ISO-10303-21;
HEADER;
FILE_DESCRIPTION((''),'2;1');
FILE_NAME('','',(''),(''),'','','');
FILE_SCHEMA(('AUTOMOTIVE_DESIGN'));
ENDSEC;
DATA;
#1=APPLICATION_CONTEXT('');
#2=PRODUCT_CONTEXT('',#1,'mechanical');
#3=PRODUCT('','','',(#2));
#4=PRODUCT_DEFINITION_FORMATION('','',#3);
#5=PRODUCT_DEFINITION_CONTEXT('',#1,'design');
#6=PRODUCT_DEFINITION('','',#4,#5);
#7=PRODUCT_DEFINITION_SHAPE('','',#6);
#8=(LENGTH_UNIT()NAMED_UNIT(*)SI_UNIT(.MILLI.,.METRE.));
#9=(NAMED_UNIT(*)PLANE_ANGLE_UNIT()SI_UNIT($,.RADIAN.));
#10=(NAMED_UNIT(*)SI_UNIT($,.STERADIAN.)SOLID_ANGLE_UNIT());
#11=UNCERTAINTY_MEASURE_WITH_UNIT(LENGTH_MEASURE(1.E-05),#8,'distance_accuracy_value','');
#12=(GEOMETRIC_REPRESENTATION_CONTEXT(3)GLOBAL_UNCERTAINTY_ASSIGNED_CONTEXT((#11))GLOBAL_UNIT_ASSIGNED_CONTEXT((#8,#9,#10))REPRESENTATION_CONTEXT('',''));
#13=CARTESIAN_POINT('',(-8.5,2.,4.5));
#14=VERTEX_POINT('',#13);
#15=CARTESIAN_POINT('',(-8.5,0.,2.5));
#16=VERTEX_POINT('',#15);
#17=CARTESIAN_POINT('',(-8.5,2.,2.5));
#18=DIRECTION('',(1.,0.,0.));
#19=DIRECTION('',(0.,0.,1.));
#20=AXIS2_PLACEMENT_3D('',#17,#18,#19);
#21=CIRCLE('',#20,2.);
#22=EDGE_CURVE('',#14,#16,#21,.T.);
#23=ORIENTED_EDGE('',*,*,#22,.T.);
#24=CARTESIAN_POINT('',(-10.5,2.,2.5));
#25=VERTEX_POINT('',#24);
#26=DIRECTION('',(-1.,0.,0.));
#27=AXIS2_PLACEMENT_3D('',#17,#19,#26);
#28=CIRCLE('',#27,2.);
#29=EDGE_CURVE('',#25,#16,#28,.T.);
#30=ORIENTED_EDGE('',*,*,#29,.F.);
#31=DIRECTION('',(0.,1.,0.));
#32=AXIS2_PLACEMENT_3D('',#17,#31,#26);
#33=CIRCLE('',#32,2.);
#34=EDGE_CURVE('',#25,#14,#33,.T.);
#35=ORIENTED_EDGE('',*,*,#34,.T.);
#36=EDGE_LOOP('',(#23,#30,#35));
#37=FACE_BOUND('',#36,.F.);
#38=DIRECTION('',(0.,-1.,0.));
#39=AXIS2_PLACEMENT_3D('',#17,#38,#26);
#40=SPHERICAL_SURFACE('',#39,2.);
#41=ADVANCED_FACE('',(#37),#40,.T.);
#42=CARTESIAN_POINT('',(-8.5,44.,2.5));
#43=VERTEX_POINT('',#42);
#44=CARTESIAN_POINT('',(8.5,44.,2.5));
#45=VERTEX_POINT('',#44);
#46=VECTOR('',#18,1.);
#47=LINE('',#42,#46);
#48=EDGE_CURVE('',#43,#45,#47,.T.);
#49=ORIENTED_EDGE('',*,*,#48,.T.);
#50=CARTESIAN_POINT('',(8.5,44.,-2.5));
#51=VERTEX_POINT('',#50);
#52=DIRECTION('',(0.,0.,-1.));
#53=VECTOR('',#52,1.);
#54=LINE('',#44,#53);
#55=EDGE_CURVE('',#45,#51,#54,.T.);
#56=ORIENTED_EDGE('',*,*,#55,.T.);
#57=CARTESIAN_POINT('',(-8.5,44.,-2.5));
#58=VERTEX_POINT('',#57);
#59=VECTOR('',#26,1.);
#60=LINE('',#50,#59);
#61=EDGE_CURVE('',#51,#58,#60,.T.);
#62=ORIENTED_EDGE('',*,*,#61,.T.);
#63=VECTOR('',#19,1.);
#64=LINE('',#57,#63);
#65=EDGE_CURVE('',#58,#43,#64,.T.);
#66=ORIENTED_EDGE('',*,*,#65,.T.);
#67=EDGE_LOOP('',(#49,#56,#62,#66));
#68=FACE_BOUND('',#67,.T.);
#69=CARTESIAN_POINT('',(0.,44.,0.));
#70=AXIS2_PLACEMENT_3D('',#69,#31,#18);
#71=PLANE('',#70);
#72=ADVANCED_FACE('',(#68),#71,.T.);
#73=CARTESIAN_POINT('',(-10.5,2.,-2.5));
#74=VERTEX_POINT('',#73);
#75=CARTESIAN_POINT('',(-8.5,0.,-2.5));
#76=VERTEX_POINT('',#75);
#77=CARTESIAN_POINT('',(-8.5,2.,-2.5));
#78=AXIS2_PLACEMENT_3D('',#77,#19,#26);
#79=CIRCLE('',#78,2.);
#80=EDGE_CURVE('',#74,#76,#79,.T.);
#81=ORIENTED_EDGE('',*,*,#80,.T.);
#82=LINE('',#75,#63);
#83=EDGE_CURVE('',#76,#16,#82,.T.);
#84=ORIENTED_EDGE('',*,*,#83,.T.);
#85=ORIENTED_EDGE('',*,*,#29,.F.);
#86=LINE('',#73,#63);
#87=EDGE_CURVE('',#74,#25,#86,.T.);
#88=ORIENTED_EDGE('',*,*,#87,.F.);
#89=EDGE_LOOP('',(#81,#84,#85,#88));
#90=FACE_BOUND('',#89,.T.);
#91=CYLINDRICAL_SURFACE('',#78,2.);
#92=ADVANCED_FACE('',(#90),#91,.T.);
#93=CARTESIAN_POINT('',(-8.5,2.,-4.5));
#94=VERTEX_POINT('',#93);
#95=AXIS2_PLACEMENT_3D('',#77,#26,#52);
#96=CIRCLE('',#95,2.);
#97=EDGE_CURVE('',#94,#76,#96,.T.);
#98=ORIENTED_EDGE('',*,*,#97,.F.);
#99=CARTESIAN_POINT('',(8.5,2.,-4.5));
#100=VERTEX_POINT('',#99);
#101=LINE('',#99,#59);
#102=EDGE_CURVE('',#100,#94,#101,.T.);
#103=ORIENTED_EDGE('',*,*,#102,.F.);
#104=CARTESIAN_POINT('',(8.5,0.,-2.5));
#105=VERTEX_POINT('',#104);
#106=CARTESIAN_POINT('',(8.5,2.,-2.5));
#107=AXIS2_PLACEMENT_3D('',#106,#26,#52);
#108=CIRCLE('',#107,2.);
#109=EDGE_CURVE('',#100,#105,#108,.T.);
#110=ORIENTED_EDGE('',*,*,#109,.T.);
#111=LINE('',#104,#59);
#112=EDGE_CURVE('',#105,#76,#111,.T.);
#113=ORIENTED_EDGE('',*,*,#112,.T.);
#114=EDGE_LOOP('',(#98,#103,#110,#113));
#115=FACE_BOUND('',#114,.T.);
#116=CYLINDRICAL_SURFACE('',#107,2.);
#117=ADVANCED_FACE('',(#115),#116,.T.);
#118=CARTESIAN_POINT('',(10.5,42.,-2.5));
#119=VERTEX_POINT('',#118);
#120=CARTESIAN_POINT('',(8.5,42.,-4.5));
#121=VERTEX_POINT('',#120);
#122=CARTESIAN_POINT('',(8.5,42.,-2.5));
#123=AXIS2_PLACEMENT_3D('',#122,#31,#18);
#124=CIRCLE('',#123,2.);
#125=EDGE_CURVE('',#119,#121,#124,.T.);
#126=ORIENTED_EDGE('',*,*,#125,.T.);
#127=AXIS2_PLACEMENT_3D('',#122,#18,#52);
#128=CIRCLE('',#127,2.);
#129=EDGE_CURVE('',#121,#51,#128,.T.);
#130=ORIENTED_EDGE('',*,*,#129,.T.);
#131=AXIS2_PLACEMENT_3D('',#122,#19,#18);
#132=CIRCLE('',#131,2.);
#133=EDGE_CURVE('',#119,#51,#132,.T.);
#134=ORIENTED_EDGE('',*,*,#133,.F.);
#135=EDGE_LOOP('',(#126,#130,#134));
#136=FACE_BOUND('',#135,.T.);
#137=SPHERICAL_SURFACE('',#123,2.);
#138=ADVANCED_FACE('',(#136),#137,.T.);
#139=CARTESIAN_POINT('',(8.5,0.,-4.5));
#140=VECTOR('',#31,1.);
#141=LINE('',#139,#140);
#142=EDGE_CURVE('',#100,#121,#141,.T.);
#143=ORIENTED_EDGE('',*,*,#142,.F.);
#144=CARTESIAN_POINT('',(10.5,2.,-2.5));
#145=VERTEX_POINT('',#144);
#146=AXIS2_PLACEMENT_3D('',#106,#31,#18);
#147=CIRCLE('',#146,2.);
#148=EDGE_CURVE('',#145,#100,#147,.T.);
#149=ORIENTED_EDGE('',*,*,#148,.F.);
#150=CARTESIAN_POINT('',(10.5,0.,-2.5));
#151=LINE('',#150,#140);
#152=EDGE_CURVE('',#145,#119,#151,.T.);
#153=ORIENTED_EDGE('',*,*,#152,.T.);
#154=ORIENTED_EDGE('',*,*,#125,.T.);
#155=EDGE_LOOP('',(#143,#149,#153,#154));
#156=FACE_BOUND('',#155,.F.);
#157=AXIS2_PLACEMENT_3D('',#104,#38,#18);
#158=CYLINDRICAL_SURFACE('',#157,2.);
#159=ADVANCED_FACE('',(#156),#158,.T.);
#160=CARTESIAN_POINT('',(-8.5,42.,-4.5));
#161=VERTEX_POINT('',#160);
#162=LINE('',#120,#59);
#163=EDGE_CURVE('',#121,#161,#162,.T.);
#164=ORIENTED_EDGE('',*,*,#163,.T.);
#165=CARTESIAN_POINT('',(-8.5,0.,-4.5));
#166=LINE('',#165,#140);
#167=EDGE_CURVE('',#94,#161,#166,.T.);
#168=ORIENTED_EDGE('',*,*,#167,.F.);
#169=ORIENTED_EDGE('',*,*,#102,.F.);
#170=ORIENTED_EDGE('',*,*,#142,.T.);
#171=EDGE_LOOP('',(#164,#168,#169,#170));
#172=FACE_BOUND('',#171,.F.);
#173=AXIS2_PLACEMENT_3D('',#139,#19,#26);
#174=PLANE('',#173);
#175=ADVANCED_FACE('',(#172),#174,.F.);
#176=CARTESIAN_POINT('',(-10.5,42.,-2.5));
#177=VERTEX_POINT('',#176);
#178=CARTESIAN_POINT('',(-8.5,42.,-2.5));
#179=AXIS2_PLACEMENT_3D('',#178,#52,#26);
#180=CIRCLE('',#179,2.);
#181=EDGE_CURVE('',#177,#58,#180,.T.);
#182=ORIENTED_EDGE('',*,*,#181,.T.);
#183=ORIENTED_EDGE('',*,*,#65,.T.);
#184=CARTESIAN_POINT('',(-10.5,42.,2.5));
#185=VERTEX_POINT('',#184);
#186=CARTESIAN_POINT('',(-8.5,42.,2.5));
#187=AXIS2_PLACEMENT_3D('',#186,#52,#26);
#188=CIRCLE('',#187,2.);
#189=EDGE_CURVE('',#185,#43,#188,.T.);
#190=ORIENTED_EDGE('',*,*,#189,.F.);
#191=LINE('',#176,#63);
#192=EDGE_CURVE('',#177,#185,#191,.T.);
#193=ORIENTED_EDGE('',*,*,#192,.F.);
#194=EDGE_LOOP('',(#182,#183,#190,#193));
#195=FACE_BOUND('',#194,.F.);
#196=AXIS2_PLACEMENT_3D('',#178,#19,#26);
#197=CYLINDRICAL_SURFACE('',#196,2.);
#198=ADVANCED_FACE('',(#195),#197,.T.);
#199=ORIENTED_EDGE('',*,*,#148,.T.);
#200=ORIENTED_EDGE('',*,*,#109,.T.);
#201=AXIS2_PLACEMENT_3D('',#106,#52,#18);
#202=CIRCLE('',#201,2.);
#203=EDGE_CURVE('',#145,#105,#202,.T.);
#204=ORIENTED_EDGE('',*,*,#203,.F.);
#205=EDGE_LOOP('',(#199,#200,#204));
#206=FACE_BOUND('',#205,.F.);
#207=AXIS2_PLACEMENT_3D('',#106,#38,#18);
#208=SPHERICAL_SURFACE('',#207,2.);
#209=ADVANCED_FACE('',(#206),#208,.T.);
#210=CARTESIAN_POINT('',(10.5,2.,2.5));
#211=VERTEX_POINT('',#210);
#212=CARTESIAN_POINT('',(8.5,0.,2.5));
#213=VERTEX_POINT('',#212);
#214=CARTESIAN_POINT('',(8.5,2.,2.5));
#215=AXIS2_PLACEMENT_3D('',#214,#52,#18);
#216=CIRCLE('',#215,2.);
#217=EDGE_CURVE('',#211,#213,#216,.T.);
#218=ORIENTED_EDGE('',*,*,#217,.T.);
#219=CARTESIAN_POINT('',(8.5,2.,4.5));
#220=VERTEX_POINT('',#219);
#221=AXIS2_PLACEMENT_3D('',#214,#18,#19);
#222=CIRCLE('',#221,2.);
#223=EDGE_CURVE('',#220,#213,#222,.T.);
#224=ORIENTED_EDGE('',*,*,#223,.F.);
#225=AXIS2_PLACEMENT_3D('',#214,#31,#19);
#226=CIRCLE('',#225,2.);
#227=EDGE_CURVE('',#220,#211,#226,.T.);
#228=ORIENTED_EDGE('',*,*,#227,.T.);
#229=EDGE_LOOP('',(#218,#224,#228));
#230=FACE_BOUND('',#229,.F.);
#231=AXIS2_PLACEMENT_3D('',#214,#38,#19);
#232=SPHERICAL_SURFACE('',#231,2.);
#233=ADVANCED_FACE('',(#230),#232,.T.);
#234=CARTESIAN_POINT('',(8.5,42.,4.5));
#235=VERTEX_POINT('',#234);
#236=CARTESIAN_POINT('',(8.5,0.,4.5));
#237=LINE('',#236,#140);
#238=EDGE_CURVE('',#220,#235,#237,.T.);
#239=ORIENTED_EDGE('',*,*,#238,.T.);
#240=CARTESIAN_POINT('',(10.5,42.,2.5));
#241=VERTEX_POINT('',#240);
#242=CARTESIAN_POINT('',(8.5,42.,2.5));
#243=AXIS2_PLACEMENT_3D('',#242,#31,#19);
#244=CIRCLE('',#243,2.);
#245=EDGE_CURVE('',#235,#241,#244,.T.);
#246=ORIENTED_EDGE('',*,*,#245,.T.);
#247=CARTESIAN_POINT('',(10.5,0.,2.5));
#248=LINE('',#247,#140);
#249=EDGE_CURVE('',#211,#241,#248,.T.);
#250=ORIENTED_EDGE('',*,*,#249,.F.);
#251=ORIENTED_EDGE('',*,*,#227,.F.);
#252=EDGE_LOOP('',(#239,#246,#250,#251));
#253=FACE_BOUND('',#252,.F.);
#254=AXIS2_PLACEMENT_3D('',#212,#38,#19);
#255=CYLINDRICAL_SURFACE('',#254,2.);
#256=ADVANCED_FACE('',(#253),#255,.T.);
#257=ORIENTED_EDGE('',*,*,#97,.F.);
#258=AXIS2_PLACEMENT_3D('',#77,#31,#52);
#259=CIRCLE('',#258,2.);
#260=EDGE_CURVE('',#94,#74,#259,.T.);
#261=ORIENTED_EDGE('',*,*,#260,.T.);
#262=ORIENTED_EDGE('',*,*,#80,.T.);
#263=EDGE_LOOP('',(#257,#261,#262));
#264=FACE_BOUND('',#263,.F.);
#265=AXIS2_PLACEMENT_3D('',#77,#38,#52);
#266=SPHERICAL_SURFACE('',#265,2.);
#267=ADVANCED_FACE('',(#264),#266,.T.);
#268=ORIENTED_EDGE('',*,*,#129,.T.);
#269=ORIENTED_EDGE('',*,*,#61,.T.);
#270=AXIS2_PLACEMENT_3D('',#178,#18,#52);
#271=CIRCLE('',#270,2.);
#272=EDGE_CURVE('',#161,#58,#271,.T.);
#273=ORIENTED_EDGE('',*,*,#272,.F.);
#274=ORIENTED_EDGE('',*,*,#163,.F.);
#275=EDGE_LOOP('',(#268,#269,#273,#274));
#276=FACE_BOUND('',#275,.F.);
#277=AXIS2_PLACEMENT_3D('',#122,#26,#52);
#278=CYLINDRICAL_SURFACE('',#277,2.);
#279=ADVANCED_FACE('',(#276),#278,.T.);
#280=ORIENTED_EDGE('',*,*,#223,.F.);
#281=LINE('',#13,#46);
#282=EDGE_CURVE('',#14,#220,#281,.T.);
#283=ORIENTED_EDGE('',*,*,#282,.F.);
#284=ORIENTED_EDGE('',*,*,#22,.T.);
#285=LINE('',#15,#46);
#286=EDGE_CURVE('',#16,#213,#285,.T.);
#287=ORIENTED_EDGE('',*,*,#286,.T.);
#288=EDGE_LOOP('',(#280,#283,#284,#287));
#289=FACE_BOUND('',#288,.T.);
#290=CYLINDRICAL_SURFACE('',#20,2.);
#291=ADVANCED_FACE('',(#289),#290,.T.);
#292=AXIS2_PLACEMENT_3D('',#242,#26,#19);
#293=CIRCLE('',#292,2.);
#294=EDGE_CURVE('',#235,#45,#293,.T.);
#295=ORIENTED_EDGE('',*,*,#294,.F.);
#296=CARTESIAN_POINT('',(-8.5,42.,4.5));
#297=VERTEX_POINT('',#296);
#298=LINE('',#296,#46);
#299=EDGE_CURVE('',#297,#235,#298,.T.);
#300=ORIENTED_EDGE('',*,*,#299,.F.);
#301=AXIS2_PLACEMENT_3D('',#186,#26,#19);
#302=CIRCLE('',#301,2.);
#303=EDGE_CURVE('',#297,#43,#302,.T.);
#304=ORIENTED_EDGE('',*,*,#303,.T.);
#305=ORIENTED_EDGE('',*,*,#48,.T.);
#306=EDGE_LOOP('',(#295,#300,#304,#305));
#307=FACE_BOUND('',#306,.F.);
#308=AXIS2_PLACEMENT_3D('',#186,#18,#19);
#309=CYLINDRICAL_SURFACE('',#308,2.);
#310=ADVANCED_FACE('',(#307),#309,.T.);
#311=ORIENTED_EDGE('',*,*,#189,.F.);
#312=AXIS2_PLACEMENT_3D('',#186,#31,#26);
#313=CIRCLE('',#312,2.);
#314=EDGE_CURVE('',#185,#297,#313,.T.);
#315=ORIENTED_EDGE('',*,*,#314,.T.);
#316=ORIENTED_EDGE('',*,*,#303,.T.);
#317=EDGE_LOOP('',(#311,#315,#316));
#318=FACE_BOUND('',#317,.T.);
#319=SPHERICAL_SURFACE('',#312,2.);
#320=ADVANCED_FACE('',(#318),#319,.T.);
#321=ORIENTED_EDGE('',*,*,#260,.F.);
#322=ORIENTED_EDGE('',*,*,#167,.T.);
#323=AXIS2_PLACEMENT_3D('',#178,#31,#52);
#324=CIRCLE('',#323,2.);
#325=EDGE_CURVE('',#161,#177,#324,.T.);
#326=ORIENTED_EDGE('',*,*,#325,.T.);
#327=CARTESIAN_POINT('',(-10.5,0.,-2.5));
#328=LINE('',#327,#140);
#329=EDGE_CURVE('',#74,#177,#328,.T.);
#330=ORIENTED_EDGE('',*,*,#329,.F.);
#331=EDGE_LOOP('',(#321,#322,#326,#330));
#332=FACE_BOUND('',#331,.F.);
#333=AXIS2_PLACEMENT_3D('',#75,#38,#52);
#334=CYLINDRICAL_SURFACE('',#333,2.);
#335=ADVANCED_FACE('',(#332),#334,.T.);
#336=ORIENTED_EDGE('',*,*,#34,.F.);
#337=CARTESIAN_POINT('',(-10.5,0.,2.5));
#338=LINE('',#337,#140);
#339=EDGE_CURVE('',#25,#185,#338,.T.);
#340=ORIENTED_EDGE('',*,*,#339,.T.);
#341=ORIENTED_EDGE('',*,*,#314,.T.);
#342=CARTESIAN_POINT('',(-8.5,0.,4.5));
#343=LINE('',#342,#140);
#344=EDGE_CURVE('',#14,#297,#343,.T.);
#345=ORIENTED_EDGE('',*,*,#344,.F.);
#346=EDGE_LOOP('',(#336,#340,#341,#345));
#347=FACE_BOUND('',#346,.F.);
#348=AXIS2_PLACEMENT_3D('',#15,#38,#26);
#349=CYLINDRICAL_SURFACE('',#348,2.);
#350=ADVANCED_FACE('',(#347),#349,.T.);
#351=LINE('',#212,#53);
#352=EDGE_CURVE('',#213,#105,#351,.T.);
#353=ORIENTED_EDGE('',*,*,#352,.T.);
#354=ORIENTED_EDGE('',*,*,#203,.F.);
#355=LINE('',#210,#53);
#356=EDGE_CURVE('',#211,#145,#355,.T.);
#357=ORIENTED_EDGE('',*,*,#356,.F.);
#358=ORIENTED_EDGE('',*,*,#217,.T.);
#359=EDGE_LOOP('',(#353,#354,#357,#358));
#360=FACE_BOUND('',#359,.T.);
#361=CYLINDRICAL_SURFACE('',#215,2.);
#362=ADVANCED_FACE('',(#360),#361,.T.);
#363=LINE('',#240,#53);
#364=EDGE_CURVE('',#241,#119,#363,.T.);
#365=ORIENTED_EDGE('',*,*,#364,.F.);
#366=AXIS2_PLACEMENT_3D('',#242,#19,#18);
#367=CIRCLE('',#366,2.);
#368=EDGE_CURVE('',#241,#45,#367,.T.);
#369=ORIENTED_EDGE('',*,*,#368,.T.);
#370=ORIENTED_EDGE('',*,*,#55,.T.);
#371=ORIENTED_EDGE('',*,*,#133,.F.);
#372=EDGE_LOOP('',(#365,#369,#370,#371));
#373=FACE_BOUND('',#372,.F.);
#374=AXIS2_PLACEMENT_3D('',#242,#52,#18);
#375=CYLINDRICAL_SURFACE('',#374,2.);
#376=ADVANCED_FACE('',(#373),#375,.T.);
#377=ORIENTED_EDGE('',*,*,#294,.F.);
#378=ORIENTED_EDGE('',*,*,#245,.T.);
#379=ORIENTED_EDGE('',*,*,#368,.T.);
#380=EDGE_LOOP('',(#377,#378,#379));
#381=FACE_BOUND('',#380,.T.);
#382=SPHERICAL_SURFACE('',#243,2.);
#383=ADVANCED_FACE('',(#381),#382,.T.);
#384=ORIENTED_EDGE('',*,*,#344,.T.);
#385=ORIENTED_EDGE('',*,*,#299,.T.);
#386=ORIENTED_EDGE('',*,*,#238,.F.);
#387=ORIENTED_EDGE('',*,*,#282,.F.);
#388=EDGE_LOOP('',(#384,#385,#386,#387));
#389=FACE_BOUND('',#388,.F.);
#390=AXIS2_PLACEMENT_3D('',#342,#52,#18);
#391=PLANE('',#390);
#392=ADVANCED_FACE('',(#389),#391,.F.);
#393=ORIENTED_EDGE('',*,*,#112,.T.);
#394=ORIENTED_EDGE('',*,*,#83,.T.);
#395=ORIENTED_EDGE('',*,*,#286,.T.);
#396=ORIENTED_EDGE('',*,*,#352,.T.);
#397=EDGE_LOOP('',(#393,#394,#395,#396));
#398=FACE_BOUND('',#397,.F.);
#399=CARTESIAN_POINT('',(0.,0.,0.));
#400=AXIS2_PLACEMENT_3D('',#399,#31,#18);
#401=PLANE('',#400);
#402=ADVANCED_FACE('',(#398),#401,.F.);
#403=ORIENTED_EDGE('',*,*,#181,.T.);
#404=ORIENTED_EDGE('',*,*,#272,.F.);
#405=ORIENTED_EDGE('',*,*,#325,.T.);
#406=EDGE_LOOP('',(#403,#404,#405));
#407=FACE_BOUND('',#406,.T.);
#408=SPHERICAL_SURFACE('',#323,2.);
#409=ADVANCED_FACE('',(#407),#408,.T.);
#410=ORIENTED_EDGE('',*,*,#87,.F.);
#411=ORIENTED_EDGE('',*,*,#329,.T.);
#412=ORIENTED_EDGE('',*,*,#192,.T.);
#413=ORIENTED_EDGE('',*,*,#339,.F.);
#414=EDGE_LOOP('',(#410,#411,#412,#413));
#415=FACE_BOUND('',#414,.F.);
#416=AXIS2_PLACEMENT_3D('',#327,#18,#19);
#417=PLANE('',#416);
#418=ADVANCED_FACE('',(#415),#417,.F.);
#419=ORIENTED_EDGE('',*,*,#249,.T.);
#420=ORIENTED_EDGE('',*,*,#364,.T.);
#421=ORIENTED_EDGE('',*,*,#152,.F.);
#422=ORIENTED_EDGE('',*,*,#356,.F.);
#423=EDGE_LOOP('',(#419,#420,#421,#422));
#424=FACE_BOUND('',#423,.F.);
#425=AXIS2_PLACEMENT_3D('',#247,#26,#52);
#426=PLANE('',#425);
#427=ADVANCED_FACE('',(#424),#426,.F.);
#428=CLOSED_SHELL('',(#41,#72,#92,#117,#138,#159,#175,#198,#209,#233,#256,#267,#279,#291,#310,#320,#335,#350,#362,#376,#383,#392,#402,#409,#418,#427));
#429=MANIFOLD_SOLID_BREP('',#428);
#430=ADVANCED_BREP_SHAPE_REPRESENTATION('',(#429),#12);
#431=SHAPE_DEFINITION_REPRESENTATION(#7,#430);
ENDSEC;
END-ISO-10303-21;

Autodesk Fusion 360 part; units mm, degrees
sketch "Sketch2" plane through (0, 0, 0) normal (0, 1, 0) x (1, 0, 0)
  line L0 (8.5, 4.5) -> (-8.5, 4.5)
  line L1 (-10.5, 2.5) -> (-10.5, -2.5)
  line L2 (-8.5, -4.5) -> (8.5, -4.5)
  line L3 (10.5, -2.5) -> (10.5, 2.5)
  line L4 (10.5, 4.5) -> (-10.5, -4.5) construction
  line L5 (-10.5, 4.5) -> (10.5, -4.5) construction
  arc A0 (-10.5, -2.5) -> (-8.5, -4.5) centre (-8.5, -2.5) ccw
  arc A1 (-8.5, 4.5) -> (-10.5, 2.5) centre (-8.5, 2.5) ccw
  arc A2 (10.5, 2.5) -> (8.5, 4.5) centre (8.5, 2.5) ccw
  arc A3 (8.5, -4.5) -> (10.5, -2.5) centre (8.5, -2.5) ccw
  dimension "d1" = 21
  dimension "d2" = 9
  dimension "d3" = 2
  dimension "d4" = 2
  dimension "d5" = 2
  dimension "d6" = 2
extrude "Extrude1" add sketch "Sketch2" along normal blind 44
fillet "Fillet1" radius 2 1 faces at (-2.8333, 0, -1.5)
fillet "Fillet2" radius 2 1 faces at (-2.8333, 44, -1.5)
